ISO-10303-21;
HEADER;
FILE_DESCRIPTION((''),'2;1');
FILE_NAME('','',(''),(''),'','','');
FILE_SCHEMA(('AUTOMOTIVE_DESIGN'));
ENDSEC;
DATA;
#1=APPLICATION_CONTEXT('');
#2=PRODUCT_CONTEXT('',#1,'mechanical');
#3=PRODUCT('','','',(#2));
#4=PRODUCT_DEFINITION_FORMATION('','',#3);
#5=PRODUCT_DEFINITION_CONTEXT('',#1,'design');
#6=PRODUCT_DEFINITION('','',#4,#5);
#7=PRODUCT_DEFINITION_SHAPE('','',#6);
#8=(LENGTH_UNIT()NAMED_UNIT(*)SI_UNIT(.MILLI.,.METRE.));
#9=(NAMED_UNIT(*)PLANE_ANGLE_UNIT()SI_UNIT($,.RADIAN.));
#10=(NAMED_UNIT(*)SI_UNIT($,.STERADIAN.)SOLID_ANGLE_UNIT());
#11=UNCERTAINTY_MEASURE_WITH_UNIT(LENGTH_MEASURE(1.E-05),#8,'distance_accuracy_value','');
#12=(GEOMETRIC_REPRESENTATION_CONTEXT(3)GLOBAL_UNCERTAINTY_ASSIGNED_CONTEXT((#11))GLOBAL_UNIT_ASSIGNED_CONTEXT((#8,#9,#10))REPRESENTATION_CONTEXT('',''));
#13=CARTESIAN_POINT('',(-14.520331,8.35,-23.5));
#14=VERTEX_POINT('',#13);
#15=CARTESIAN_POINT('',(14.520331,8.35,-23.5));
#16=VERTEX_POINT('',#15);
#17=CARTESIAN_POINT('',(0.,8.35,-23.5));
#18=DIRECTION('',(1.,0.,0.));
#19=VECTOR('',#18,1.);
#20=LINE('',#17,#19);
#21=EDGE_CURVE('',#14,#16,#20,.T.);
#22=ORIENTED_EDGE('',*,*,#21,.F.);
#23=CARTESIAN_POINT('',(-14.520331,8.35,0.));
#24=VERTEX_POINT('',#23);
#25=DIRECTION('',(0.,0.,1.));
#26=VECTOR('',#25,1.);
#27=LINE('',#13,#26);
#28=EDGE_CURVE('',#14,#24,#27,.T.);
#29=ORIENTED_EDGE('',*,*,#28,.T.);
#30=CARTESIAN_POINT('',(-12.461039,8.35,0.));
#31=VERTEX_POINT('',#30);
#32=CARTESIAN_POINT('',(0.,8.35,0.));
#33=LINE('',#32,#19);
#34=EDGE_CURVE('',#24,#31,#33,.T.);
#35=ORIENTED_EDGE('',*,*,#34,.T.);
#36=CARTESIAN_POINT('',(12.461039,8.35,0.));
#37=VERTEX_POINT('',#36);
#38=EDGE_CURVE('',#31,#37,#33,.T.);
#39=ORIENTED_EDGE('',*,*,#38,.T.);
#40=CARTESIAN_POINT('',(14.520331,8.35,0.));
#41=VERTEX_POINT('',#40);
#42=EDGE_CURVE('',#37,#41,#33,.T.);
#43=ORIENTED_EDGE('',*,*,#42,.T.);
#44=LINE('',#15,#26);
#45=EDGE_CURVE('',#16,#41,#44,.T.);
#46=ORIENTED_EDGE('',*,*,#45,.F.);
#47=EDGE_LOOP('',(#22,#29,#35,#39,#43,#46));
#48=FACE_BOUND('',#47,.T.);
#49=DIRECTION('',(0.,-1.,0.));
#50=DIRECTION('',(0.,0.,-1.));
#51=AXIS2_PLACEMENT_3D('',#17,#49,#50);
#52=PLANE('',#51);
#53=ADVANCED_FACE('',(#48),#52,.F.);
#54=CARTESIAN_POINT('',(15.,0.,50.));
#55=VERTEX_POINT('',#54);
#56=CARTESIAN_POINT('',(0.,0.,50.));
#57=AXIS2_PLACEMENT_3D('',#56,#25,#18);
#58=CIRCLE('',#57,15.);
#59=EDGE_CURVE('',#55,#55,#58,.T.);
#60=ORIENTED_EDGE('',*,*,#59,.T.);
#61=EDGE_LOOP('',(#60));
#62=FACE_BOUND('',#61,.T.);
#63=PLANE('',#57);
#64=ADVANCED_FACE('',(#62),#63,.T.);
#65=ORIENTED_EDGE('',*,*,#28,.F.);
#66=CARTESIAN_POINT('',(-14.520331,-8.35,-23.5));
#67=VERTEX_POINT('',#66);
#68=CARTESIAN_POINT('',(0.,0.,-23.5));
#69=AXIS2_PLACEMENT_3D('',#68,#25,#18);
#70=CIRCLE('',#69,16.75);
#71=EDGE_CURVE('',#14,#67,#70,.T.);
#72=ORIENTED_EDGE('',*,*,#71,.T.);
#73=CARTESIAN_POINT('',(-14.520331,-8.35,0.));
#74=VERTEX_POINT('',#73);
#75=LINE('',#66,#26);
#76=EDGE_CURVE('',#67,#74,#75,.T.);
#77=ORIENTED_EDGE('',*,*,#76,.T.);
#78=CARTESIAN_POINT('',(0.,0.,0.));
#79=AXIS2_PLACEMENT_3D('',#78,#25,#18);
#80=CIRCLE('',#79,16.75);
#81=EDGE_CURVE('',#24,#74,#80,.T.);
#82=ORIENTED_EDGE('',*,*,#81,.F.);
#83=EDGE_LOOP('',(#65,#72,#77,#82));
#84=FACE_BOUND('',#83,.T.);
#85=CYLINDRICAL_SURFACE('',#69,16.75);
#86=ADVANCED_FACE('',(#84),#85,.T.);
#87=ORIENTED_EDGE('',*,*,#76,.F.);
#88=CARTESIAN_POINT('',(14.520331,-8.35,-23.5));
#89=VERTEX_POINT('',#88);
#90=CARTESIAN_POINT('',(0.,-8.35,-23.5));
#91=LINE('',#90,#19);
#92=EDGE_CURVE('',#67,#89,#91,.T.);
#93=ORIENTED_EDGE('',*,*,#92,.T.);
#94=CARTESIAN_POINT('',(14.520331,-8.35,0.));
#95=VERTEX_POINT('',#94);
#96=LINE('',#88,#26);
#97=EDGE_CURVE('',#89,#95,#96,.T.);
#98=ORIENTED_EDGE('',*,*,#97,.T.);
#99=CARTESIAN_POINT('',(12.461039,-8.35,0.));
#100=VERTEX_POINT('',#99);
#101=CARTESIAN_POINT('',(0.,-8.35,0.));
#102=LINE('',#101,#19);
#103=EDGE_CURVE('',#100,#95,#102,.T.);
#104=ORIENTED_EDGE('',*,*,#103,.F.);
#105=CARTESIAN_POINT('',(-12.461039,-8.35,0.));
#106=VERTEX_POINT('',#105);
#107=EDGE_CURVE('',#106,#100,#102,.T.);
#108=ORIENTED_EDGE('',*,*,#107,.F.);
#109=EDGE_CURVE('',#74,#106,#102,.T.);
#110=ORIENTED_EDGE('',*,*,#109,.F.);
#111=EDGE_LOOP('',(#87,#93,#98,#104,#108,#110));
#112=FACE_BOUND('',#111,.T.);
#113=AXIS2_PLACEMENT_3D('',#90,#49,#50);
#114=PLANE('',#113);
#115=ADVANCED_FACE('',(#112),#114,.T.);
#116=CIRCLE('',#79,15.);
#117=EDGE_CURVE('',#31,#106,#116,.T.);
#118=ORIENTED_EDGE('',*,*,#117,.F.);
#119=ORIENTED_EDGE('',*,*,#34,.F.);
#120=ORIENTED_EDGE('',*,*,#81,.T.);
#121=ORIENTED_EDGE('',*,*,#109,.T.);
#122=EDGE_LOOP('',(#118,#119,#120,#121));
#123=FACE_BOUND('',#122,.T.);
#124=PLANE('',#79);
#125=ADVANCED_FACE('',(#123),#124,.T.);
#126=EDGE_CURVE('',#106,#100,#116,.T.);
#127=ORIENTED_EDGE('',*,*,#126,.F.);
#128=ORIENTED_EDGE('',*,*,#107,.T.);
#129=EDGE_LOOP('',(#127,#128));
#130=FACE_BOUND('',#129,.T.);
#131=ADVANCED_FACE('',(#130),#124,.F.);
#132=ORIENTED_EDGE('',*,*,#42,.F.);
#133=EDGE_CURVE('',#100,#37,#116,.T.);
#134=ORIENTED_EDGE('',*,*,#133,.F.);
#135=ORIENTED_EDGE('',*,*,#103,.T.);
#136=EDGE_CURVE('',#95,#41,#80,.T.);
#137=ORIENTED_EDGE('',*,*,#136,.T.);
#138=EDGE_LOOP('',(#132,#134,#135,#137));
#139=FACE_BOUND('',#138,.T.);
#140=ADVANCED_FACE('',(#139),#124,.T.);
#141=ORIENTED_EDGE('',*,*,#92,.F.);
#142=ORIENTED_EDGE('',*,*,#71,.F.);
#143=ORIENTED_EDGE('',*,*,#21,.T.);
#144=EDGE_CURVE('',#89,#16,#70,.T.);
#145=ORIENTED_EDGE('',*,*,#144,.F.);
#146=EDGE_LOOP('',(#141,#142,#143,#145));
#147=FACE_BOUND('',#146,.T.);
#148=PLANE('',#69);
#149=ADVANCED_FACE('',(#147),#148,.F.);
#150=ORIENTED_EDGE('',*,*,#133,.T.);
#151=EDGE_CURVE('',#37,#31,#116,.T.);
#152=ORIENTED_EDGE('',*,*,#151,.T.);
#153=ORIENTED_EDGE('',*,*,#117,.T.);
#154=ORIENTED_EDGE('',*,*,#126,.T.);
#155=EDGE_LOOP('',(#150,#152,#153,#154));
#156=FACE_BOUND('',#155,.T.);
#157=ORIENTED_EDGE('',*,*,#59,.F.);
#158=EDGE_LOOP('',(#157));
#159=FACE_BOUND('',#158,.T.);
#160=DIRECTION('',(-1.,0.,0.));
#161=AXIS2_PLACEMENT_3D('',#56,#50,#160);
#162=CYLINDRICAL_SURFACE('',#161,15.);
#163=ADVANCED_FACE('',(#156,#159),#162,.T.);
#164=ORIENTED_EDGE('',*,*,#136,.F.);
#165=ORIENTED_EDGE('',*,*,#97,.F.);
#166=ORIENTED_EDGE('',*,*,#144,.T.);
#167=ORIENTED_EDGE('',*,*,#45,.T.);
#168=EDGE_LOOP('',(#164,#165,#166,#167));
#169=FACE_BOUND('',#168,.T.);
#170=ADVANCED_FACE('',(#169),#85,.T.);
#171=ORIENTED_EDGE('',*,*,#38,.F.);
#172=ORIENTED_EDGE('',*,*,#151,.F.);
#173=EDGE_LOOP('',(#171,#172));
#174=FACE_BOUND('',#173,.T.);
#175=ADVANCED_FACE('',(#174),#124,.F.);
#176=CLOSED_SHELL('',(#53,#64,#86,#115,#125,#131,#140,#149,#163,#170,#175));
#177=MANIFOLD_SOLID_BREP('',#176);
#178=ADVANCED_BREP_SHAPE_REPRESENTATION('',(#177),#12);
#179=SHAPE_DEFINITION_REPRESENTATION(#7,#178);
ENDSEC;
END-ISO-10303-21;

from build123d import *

# Parameters (mm, degrees)
SKETCH_1_W      = 29.04066115
SKETCH_1_H      = 16.7
EXTRUDE_3_DEPTH = 23.5
SKETCH_3_R      = 15
EXTRUDE_4_DEPTH = 50


with BuildPart() as part:
    # 草图1 → 凸台-拉伸3 (new body)
    with BuildSketch(Plane.XY):
        Rectangle(SKETCH_1_W, SKETCH_1_H)
        with BuildLine():
            Line((-14.520330575, -8.35), (-14.520330575, 8.35))
            ThreePointArc((-14.520330575, 8.35), (-16.75, 0), (-14.520330575, -8.35))
        make_face()
        with BuildLine():
            Line((14.520330575, -8.35), (14.520330575, 8.35))
            ThreePointArc((14.520330575, 8.35), (16.75, 0), (14.520330575, -8.35))
        make_face()
    extrude(amount=-EXTRUDE_3_DEPTH)

    # 草图3 → 凸台-拉伸4 (add)
    with BuildSketch(Plane.XY):
        with Locations(Location((0, 0, 0), (0, 0, 146.174412464))):
            Circle(SKETCH_3_R)
    extrude(amount=EXTRUDE_4_DEPTH)


solid = part.part
